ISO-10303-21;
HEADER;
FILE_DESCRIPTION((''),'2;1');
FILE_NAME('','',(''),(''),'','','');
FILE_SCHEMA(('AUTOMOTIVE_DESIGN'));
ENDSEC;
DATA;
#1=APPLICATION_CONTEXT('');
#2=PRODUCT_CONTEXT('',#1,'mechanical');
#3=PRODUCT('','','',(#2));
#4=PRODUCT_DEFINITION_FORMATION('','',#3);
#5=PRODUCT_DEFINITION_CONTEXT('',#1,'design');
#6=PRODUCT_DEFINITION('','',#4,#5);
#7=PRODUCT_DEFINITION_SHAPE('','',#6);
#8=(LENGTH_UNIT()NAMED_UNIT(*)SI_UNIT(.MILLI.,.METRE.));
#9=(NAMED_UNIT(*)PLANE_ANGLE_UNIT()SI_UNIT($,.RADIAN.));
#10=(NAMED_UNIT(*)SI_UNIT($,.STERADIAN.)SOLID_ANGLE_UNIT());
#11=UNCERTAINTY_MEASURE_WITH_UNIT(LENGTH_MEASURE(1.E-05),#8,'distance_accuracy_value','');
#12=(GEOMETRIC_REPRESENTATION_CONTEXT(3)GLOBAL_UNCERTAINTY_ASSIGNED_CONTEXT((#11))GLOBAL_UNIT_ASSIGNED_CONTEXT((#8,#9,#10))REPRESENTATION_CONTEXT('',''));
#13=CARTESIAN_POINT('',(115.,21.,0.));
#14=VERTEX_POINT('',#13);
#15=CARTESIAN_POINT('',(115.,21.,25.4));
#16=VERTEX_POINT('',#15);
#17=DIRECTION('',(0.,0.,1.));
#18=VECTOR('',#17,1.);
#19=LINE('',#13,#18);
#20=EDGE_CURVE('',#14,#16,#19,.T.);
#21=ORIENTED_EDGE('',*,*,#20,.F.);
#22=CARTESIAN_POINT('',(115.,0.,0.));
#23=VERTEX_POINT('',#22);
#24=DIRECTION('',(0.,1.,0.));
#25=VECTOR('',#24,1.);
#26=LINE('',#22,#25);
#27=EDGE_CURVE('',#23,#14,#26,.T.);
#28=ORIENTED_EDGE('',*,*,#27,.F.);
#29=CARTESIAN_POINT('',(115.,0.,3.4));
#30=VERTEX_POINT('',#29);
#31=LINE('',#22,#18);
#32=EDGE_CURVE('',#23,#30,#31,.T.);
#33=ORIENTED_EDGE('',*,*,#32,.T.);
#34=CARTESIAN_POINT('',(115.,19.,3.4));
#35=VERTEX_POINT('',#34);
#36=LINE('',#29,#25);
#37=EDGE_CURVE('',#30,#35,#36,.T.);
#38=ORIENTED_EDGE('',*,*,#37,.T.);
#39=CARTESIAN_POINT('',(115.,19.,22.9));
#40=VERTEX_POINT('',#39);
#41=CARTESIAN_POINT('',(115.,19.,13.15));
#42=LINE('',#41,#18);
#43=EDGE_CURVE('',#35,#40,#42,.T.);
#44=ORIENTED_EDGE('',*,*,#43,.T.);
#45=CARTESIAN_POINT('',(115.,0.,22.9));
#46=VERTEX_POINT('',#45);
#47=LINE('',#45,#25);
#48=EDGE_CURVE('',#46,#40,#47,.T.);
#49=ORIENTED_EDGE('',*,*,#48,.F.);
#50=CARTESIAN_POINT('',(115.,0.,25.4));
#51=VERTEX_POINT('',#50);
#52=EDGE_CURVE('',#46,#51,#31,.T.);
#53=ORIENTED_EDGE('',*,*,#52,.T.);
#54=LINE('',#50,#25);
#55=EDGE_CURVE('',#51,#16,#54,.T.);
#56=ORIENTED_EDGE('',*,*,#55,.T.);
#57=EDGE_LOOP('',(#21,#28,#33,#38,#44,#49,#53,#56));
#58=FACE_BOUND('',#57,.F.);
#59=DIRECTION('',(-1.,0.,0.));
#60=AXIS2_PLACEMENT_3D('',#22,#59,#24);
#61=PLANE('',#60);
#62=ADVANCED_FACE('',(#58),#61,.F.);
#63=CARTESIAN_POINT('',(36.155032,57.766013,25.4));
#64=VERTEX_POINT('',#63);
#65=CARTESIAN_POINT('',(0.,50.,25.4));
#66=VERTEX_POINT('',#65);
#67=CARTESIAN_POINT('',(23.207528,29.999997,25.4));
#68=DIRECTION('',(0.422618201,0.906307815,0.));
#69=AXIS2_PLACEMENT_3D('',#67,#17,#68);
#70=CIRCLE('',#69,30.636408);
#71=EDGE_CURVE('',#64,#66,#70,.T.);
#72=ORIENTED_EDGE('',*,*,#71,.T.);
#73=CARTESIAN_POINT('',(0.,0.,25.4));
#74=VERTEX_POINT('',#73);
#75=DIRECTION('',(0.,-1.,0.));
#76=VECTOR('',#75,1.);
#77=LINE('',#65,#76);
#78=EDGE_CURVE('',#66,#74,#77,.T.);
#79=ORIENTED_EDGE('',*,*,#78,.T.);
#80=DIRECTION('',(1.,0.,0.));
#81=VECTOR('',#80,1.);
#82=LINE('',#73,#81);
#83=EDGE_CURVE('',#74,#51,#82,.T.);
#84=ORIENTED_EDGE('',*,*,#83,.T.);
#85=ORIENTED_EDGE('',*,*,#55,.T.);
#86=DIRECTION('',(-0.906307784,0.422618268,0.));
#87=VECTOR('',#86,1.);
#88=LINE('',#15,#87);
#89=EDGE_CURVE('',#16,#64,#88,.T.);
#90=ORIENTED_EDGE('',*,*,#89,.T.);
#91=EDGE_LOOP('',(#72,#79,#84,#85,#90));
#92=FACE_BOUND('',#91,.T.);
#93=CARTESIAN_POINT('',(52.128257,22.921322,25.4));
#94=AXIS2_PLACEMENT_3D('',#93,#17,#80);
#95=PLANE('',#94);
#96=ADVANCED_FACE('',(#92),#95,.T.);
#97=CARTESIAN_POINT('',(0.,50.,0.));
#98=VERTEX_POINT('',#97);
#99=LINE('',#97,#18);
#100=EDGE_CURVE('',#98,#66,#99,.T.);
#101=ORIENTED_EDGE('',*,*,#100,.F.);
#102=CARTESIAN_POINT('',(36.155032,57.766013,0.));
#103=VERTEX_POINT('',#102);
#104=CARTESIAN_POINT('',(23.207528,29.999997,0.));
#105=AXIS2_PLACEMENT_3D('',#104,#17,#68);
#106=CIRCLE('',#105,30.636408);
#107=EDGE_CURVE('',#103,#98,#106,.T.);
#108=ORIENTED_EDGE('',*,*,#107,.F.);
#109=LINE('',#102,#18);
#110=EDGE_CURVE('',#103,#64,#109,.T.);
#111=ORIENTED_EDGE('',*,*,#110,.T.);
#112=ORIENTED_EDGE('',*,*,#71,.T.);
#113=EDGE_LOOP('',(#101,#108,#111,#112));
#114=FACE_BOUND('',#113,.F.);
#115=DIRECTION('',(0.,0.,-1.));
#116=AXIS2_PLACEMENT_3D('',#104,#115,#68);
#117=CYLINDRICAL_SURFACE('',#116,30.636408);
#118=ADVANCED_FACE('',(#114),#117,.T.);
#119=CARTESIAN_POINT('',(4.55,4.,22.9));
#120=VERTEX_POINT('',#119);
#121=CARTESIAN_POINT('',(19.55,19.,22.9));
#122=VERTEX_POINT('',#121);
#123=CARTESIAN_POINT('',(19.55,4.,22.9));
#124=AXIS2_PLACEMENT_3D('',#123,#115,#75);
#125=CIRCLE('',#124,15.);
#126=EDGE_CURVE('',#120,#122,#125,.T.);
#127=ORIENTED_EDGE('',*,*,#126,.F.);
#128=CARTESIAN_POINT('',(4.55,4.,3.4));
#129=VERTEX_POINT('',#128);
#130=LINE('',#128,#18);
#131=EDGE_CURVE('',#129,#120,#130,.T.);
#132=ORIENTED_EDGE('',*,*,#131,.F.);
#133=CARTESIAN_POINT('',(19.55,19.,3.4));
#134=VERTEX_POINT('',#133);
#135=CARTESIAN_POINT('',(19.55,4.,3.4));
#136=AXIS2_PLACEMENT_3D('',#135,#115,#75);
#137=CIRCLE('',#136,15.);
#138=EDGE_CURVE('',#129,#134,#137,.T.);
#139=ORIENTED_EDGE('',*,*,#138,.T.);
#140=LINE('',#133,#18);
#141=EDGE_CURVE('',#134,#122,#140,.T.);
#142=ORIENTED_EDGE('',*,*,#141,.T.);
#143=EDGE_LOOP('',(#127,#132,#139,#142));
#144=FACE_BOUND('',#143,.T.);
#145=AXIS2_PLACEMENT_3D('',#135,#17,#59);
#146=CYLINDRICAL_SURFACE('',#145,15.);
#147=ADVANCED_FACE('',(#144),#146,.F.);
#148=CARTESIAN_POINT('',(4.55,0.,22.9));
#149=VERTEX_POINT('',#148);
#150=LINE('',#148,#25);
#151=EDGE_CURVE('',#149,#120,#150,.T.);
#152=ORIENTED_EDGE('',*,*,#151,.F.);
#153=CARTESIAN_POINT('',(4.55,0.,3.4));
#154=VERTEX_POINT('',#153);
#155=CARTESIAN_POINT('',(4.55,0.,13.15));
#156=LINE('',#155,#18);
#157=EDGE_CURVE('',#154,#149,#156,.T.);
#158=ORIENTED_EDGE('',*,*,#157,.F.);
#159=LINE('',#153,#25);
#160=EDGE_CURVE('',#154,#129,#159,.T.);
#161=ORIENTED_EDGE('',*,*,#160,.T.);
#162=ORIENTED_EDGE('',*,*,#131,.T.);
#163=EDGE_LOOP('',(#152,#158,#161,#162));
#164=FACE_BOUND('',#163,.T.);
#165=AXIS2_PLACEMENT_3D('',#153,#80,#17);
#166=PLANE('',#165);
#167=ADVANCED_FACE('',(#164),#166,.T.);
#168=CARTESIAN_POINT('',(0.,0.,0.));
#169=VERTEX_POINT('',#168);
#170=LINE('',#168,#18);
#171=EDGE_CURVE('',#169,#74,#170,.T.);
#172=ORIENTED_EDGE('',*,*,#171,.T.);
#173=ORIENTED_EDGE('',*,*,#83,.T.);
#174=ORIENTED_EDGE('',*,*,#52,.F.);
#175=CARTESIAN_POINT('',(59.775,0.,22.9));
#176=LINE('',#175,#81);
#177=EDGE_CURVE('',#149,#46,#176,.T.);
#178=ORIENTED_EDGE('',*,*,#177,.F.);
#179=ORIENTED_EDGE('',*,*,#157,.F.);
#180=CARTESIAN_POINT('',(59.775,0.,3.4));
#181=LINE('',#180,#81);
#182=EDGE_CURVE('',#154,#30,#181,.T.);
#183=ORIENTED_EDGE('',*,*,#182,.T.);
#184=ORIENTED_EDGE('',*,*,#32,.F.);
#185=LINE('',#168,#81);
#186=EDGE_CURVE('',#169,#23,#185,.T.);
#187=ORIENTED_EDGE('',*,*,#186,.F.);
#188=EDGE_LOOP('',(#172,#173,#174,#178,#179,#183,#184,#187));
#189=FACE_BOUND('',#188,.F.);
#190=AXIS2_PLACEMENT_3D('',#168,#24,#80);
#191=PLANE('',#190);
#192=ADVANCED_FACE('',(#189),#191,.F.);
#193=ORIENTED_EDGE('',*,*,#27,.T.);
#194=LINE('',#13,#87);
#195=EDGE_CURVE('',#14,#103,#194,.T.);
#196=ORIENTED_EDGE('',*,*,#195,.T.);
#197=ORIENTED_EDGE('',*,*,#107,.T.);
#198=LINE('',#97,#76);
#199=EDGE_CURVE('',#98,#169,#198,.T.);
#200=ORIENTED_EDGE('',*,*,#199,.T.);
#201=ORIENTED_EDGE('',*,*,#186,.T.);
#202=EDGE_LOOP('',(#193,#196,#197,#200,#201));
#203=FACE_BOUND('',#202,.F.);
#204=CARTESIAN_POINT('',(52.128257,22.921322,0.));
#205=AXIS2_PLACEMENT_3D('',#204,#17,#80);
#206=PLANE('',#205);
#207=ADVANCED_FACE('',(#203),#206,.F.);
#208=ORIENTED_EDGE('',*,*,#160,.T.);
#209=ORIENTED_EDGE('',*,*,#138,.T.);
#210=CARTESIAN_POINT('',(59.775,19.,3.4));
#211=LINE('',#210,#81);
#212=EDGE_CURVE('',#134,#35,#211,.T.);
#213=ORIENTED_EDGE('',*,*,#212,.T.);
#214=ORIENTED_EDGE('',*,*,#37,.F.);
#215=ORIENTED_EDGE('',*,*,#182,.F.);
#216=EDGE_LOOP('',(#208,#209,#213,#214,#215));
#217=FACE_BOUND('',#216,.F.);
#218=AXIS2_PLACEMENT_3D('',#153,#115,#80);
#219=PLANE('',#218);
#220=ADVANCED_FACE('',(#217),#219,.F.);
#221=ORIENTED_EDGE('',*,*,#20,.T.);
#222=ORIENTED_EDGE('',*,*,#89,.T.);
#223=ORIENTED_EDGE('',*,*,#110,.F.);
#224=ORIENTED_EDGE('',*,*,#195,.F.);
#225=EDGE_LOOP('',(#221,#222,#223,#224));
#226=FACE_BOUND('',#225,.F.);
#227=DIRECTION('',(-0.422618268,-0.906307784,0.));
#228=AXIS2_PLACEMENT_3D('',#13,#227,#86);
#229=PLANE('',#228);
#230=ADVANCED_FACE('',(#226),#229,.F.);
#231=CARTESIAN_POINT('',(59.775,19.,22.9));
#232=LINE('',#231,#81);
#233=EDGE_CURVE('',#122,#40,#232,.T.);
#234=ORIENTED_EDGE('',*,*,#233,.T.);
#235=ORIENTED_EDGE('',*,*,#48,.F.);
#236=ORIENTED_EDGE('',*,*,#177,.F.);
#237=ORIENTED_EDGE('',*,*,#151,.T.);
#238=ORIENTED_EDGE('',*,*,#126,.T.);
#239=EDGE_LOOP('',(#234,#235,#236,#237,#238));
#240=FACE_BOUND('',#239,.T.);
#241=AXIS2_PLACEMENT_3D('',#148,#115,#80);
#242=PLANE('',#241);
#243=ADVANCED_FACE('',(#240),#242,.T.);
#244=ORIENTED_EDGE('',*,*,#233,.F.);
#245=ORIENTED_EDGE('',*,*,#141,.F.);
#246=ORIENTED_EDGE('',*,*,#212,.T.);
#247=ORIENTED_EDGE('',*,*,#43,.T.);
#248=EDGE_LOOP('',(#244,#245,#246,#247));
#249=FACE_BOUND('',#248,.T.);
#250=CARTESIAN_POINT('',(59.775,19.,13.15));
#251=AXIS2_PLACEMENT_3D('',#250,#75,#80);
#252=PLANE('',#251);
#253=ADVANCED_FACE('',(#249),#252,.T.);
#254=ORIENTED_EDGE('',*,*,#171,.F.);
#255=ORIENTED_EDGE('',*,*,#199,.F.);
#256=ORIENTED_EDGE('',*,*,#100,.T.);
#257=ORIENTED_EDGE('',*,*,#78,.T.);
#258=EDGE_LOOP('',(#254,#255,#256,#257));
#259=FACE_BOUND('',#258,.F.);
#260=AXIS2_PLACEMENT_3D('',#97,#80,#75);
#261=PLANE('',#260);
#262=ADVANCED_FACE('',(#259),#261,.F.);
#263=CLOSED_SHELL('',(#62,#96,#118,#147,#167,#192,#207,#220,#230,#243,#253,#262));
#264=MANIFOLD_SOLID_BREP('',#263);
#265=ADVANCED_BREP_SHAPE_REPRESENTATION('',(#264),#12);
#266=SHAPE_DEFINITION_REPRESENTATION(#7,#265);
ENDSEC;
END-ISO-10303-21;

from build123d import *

# Parameters (mm, degrees)
F1_DEPTH = 25.4
F2_W     = 110.45
F2_H     = 19.5
F3_DEPTH = 19
F4_R     = 15


with BuildPart() as f1:
    # F0 (on Top) → F1 (new body)
    with BuildSketch(Plane.XY):
        with BuildLine():
            Line((0, 50), (0, 0))
            Line((0, 0), (115, 0))
            Line((115, 0), (115, 21))
            Line((115, 21), (36.155032, 57.766013))
            ThreePointArc((36.155032, 57.766013), (16.773652, 59.953206), (0, 50))
        make_face()
    extrude(amount=F1_DEPTH)

    # F2 (on face) → F3 (cut)
    with BuildSketch(Plane.XZ):
        with Locations((59.775, 13.15)):
            Rectangle(F2_W, F2_H)
    extrude(amount=-F3_DEPTH, mode=Mode.SUBTRACT)

    # F4
    f4_edges = [f1.edges().sort_by_distance(p)[0] for p in [
        (4.55, 19, 13.15),
    ]]
    fillet(f4_edges, radius=F4_R)


solid = f1.part
